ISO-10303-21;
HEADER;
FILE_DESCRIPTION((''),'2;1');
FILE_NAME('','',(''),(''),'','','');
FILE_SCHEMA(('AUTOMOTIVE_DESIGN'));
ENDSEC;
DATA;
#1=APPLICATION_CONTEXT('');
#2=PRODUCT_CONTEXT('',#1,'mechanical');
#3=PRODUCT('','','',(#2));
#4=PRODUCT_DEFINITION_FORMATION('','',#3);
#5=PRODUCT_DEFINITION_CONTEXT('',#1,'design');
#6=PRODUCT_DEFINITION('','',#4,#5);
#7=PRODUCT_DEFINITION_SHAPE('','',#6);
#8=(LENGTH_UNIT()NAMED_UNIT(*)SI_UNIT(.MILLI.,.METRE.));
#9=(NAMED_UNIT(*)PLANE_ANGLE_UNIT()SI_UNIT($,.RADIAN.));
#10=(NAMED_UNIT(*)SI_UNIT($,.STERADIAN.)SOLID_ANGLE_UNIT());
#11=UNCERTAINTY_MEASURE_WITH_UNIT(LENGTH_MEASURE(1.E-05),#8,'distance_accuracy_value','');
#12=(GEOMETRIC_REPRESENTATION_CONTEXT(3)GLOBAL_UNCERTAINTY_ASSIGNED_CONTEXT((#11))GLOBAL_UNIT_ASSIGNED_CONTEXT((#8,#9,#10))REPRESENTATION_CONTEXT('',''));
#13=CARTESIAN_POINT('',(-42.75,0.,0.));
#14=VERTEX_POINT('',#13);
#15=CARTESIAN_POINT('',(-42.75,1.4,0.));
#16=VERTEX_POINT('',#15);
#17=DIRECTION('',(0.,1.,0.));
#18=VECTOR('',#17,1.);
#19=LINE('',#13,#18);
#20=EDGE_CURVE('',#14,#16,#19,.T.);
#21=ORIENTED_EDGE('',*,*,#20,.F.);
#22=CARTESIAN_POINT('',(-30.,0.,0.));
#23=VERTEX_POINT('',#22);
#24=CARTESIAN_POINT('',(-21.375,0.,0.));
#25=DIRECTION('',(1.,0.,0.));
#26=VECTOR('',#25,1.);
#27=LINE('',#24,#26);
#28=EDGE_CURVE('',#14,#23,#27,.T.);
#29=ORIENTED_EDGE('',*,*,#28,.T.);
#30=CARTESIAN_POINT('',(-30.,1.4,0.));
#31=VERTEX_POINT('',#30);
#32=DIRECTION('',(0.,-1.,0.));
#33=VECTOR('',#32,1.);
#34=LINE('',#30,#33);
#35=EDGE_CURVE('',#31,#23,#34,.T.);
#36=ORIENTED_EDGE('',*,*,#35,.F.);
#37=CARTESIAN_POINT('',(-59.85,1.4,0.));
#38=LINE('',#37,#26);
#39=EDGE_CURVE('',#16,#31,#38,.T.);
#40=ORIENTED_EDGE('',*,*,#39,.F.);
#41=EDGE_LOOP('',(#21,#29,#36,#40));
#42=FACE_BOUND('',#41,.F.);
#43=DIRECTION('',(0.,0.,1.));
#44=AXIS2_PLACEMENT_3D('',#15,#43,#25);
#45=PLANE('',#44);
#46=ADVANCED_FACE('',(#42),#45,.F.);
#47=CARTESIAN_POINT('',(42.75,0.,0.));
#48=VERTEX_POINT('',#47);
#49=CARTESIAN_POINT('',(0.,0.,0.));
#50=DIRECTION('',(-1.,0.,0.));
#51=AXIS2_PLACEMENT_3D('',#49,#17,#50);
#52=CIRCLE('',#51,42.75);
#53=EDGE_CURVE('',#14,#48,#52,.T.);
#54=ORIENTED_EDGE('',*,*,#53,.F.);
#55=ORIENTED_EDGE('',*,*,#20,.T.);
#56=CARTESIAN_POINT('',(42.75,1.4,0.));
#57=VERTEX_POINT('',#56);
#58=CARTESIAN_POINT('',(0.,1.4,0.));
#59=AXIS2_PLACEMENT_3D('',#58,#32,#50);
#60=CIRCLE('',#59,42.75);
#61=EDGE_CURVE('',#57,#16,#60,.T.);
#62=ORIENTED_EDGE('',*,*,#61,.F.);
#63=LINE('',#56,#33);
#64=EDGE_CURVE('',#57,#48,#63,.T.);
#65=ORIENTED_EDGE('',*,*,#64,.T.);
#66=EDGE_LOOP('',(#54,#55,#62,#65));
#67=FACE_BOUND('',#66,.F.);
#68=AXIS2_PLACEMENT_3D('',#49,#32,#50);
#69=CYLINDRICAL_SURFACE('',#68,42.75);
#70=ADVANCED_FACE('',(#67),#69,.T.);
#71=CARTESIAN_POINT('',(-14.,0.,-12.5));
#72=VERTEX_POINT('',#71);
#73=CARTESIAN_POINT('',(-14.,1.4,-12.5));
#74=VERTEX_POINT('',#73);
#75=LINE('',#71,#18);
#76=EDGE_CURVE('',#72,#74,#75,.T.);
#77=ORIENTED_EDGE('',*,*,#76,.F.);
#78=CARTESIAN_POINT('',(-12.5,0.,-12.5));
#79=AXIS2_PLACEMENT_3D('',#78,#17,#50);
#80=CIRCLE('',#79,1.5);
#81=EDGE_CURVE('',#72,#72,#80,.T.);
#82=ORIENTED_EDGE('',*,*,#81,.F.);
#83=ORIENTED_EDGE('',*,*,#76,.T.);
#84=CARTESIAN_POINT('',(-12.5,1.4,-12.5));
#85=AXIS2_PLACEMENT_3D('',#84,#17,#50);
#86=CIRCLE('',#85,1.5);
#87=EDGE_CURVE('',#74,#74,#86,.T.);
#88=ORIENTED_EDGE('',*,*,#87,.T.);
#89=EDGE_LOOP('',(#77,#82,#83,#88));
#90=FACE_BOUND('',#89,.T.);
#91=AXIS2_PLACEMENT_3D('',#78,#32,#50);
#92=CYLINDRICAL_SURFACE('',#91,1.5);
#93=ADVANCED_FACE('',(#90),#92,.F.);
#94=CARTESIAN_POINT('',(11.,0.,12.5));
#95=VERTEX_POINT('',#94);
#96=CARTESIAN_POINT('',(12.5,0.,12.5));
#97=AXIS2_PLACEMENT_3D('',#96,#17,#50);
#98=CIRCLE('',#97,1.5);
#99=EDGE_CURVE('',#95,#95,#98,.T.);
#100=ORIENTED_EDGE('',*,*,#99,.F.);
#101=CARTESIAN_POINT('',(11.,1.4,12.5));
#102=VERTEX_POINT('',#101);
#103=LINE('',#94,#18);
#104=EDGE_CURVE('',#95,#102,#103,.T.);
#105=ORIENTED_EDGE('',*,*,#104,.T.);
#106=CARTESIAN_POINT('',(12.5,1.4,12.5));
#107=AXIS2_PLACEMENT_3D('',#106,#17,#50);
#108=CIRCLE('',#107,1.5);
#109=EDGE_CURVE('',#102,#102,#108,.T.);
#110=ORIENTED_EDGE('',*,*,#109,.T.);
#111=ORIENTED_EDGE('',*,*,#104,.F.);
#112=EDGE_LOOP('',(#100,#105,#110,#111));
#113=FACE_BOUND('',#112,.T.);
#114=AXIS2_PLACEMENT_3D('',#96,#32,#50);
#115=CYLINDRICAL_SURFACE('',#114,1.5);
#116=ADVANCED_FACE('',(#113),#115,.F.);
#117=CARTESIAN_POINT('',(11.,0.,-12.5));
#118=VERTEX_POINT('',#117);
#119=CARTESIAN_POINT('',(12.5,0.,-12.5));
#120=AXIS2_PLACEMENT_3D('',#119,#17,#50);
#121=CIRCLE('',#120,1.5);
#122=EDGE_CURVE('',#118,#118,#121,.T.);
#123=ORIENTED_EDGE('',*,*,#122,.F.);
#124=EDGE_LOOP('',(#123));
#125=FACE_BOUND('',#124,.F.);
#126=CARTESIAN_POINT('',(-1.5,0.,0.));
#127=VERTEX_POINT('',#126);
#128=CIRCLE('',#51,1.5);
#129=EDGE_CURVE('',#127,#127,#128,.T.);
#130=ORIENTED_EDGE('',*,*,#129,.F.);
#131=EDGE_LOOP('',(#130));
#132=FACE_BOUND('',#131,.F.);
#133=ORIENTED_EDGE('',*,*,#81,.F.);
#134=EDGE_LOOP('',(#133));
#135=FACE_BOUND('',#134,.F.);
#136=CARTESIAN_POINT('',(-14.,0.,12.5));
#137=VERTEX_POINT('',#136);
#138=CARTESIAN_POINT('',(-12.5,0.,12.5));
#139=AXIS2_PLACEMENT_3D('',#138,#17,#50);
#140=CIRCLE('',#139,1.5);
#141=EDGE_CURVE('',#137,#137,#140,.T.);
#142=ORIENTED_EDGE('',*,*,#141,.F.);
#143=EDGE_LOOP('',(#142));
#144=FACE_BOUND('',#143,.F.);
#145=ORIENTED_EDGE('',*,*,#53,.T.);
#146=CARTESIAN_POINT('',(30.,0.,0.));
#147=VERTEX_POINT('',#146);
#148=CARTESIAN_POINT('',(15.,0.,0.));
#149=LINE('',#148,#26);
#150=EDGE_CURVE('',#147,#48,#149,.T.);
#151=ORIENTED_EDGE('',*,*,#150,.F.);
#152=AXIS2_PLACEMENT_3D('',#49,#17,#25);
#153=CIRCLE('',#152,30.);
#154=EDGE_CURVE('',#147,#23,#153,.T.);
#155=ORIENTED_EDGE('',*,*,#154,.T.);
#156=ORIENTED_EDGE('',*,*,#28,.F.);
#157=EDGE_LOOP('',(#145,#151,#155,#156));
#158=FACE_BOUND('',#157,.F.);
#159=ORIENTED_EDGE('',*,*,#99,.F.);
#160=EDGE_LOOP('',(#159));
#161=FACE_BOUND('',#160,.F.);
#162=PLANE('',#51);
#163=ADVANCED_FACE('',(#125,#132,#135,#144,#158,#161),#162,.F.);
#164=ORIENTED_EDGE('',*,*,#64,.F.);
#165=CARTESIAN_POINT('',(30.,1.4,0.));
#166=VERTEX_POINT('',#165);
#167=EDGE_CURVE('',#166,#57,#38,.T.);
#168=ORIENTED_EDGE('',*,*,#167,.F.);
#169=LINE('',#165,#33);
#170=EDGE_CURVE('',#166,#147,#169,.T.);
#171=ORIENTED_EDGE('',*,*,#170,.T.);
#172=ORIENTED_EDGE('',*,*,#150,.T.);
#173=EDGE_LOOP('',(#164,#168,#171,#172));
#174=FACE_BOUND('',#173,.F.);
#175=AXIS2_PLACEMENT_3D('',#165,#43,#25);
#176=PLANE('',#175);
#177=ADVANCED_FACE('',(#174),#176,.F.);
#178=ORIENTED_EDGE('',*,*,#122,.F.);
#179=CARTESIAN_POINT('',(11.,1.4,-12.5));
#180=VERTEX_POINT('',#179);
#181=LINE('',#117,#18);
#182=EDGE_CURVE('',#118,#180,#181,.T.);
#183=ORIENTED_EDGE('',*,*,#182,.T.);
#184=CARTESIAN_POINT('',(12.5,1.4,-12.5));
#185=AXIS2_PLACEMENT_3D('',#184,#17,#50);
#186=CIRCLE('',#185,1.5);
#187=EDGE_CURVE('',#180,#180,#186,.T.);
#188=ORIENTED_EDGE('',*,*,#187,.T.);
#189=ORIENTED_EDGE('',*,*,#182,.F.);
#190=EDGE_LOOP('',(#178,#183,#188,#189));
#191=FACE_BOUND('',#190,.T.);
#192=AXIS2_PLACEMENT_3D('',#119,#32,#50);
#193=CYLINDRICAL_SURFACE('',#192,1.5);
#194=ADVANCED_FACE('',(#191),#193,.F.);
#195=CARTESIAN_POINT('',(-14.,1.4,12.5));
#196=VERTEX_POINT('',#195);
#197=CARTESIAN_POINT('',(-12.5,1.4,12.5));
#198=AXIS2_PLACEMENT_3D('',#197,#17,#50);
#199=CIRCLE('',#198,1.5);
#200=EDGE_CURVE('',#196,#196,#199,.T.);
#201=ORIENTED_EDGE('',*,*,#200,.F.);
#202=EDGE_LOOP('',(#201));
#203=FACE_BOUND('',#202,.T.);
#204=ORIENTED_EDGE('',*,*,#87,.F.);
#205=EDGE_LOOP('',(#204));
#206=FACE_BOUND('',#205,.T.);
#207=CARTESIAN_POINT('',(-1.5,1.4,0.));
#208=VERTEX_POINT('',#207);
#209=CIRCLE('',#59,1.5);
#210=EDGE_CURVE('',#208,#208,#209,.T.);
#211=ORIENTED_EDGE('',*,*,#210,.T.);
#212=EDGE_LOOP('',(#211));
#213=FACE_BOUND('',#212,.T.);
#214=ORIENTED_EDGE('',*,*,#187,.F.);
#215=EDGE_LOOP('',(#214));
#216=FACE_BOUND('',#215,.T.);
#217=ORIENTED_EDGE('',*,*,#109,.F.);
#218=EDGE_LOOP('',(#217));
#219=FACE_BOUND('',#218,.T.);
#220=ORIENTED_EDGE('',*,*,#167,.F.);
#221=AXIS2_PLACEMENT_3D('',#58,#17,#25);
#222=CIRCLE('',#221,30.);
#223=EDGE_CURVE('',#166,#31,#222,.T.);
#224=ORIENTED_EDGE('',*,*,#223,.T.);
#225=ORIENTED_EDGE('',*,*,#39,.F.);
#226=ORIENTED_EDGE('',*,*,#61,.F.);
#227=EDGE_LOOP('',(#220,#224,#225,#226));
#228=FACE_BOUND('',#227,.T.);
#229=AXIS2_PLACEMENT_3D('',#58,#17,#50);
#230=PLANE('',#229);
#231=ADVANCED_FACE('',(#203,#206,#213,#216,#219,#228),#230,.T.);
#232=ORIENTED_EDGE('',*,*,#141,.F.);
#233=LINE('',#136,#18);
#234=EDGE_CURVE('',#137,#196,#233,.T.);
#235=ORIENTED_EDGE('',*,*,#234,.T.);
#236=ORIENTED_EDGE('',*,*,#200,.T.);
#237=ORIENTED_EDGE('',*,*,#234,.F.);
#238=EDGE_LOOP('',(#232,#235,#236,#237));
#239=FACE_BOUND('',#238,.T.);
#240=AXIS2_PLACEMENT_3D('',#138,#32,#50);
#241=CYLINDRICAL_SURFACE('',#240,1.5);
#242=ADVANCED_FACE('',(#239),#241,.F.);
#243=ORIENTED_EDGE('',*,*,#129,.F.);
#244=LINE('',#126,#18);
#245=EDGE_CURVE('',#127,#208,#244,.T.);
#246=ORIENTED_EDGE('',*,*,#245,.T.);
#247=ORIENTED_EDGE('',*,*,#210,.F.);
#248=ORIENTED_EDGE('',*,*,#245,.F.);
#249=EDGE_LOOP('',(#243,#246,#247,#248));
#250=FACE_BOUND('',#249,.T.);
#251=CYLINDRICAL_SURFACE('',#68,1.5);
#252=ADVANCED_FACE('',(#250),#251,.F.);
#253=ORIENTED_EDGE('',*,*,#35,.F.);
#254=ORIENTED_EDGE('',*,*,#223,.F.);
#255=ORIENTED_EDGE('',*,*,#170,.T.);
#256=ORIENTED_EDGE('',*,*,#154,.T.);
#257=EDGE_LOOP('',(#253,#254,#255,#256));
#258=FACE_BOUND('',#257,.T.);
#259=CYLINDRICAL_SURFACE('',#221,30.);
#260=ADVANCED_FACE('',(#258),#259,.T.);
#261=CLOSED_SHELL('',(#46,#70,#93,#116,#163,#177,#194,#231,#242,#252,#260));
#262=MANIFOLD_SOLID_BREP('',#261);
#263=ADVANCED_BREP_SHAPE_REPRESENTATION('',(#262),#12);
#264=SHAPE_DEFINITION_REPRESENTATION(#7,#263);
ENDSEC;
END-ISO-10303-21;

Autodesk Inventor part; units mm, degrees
ref_plane "YZ Plane" through (0, 0, 0) normal (1, 0, 0) x (0, 1, 0)
ref_plane "XZ Plane" through (0, 0, 0) normal (0, 1, 0) x (-1, 0, 0)
ref_plane "XY Plane" through (0, 0, 0) normal (0, 0, 1) x (1, 0, 0)
sketch "Sketch1" plane through (0, 0, 0) normal (0, 1, 0) x (-1, 0, 0)
  line L0 (59.85, 0) -> (-59.85, 0) projected
  line L1 (0, -59.85) -> (0, 59.85) projected
  circle A0 centre (0, 0) radius 42.75
  line L2 (12.5, 12.5) -> (-12.5, 12.5) construction
  line L3 (-12.5, 12.5) -> (-12.5, -12.5) construction
  line L4 (-12.5, -12.5) -> (12.5, -12.5) construction
  line L5 (12.5, -12.5) -> (12.5, 12.5) construction
  circle A1 centre (12.5, 12.5) radius 1.5
  circle A2 centre (-12.5, 12.5) radius 1.5
  circle A3 centre (12.5, -12.5) radius 1.5
  circle A4 centre (-12.5, -12.5) radius 1.5
  circle A5 centre (0, 0) radius 1.5
  dimension "d0" = 85.5
  dimension "d1" = 25
  dimension "d2" = 25
  dimension "d3" = 12.5
  dimension "d4" = 12.5
  dimension "d5" = 3
  dimension "d8" = 25
  dimension "d11" = 25
  dimension "d16" = 3
extrude "Extrusion2" add sketch "Sketch1" along normal blind 1.4 contours A0 L1 A5 L0 | L0 A5 L1 A0 | L1 A5 L0 A0 | A0 L0 A5 L1
sketch "Sketch2" plane through (0, 1.4, 0) normal (0, 1, 0) x (1, 0, 0)
  circle A0 centre (0, 0) radius 1.5 projected
  arc A1 (30, 0) -> (-30, 0) centre (0, 0) ccw
  line L0 (-59.85, 0) -> (59.85, 0) projected
  line L1 (0, 59.85) -> (0, -59.85) projected
  arc A2 (42.75, 0) -> (-42.75, 0) centre (0, 0) ccw
  line L2 (-30, 0) -> (-42.75, 0)
  line L3 (30, 0) -> (42.75, 0)
  dimension "d19" = 60
  dimension "d20" = 85.5
extrude "Extrusion3" cut sketch "Sketch2" against normal blind 10 contours A1 L1 A2 L0 | A1 L0 A2 L1
equation "\"d2\" = d1"
equation "\"d3\" = 0.5 * d1"
equation "\"d4\" = 0.5 * d1"
properties part number "PanTilt_Base"
